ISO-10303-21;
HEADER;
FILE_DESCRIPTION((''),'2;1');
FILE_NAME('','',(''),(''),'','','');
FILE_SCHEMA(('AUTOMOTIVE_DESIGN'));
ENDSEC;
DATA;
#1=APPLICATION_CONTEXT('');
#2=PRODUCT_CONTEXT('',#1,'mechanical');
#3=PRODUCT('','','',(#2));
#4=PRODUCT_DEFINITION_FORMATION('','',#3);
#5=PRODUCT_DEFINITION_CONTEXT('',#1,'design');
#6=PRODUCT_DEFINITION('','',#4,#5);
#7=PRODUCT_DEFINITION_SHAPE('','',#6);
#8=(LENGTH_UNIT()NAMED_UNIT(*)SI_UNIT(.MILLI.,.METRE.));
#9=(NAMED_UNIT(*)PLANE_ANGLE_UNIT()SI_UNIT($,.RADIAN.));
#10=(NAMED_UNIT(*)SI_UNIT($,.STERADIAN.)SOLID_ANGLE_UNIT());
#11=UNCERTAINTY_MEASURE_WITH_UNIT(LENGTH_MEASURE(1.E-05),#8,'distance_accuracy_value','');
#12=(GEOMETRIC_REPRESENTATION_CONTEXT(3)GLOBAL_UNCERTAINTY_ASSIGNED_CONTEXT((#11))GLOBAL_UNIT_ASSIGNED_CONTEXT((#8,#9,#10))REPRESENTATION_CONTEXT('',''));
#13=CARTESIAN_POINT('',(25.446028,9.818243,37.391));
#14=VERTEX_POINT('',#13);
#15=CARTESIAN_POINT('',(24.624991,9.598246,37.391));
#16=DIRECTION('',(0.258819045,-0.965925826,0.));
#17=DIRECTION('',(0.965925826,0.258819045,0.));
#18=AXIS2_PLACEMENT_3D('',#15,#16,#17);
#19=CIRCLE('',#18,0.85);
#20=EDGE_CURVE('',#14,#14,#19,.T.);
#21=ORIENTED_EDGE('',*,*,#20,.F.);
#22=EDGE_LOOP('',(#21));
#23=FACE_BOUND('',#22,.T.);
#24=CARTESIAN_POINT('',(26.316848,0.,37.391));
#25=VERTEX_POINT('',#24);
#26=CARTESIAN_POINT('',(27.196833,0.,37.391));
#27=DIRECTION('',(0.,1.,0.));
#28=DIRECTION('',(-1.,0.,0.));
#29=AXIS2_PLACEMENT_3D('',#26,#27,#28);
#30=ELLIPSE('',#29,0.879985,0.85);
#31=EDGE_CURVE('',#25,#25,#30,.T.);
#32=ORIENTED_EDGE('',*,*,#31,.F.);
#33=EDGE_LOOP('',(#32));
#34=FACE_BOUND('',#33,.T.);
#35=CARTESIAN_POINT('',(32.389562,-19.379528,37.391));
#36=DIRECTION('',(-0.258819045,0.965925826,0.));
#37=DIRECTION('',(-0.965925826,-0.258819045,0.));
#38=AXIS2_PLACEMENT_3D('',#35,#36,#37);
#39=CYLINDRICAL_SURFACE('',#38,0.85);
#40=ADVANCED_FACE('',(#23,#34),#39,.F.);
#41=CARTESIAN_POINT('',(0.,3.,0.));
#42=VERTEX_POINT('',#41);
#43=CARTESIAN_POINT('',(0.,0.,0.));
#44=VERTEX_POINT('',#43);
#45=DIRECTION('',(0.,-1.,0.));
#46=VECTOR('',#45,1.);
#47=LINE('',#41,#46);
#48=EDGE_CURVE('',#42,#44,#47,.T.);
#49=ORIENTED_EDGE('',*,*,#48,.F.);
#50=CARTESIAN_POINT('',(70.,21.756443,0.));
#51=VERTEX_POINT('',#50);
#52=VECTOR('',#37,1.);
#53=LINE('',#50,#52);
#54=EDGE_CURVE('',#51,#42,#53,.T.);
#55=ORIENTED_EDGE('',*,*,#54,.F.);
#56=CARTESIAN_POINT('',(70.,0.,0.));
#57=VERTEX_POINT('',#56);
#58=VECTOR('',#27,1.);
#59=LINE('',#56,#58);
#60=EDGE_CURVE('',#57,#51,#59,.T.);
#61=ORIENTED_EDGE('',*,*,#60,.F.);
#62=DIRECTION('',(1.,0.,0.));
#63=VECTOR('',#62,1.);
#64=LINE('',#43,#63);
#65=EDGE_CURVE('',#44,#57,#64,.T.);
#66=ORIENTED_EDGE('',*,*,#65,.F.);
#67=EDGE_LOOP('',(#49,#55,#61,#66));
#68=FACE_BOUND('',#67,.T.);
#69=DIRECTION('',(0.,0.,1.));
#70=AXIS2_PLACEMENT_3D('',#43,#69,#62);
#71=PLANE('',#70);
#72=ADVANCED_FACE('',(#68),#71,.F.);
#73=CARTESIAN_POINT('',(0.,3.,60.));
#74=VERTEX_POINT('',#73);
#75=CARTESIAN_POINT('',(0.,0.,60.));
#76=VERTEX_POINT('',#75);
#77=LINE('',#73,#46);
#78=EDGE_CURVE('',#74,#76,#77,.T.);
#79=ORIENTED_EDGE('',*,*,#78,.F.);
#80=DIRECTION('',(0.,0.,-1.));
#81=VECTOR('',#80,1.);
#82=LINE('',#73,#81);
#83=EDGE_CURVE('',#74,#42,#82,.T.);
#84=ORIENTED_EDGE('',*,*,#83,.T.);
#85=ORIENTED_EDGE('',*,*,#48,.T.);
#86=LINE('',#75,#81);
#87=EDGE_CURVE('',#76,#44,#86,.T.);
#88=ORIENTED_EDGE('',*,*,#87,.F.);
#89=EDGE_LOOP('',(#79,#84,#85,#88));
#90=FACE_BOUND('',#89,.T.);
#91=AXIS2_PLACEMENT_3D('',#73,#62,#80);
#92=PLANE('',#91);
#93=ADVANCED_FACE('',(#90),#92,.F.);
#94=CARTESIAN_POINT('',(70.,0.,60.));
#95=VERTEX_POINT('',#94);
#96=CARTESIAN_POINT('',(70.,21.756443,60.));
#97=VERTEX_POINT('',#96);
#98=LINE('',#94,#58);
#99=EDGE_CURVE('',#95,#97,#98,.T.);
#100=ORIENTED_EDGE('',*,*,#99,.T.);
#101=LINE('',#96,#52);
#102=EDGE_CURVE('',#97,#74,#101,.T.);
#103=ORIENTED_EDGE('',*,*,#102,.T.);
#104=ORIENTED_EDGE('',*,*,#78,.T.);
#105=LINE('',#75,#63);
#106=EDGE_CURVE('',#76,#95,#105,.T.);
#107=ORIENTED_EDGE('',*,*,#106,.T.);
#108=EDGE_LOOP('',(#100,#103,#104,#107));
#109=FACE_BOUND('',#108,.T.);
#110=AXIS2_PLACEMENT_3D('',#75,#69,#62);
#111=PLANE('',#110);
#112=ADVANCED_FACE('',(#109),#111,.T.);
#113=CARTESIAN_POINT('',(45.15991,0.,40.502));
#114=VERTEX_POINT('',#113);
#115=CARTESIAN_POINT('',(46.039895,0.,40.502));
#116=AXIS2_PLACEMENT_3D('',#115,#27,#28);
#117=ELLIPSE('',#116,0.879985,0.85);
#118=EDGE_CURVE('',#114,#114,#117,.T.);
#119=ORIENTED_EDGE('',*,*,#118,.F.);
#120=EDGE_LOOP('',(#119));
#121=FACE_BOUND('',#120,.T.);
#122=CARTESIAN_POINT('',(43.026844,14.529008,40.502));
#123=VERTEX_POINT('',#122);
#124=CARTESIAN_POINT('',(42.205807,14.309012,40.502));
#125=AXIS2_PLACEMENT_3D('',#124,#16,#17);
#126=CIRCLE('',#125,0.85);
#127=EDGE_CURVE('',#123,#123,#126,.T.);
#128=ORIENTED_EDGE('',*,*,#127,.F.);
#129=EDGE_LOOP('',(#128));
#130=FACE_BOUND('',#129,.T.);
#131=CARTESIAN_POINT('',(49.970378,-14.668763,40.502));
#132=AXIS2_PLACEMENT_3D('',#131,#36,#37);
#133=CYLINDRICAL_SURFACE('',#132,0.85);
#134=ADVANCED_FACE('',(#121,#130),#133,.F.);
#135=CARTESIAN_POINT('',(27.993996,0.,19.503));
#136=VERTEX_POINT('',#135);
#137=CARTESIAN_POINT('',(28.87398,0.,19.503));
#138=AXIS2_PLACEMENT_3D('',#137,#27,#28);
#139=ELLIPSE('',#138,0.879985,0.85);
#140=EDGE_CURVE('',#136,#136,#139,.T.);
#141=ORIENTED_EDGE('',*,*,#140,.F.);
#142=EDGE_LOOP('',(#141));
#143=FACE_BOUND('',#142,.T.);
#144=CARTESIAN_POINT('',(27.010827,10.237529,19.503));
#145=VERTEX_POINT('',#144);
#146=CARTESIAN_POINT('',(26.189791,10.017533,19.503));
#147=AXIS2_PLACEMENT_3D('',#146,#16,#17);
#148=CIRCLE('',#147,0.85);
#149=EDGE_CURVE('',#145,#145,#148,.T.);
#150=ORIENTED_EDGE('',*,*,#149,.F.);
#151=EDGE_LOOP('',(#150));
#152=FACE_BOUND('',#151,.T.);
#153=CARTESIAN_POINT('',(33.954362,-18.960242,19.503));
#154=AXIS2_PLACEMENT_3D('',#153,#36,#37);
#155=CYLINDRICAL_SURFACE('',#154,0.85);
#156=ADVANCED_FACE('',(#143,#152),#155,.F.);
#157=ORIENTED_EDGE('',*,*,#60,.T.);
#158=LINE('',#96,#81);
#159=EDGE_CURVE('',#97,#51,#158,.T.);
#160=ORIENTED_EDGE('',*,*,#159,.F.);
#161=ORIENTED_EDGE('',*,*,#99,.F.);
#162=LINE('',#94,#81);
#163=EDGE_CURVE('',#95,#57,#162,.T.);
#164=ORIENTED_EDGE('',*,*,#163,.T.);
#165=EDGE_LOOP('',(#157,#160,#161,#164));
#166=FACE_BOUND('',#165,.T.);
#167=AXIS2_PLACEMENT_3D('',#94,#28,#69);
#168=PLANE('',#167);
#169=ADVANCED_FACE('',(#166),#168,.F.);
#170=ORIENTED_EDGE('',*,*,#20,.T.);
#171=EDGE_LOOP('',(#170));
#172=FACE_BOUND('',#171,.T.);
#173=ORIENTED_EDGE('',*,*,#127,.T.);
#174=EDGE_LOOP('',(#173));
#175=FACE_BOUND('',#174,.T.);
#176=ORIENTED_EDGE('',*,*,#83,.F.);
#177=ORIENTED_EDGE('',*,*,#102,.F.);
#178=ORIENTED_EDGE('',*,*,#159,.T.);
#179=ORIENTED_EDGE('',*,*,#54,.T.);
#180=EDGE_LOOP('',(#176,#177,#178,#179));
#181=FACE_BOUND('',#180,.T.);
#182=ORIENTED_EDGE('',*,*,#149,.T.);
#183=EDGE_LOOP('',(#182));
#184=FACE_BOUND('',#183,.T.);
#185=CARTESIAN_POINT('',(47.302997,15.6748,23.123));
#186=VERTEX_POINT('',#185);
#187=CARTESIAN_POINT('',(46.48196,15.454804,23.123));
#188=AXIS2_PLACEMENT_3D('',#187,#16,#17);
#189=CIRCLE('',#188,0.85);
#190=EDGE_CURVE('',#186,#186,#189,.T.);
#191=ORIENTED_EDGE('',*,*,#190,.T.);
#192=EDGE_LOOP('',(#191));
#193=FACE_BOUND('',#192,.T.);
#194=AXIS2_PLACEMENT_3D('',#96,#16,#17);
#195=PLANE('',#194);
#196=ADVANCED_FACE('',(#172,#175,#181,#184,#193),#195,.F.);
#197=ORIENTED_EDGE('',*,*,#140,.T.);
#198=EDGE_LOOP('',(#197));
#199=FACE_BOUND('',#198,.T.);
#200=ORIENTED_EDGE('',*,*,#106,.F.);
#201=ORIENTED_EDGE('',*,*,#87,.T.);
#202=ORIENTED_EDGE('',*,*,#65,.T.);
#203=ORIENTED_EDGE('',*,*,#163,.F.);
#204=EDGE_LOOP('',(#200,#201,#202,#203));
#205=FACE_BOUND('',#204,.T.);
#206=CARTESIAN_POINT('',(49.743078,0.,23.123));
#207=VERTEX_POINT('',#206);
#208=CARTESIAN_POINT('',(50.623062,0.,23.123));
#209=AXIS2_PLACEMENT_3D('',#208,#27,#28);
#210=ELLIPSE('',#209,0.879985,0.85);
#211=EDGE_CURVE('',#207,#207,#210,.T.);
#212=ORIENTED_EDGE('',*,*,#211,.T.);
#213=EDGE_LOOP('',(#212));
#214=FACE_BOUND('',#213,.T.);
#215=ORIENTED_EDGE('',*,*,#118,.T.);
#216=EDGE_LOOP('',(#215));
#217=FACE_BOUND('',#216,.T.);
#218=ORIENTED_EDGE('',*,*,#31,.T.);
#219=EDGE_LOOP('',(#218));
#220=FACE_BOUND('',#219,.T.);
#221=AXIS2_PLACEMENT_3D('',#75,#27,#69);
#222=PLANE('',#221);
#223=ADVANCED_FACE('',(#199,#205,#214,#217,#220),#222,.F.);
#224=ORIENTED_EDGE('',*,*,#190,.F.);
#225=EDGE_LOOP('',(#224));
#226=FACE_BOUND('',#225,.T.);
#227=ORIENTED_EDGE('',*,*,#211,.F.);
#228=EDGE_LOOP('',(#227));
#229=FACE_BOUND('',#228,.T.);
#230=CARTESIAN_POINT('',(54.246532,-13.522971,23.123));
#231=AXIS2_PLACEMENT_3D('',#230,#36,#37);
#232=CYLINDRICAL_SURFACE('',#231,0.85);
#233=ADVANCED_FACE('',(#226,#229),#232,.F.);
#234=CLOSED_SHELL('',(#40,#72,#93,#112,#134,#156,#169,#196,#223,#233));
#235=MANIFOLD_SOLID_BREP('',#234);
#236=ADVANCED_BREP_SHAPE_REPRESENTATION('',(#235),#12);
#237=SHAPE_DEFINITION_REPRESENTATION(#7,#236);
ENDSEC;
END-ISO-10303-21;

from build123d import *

# Parameters (mm, degrees)
EXTRUDE_1_DEPTH     = 60
SKETCH_2_R          = 0.85
CUT_EXTRUDE_1_DEPTH = 30


with BuildPart() as part:
    # 草图1 → 凸台-拉伸1 (new body)
    with BuildSketch(Plane.XY):
        Polygon((0, 0), (70, 0), (70, 21.75644347), (0, 3), align=None)
    extrude(amount=EXTRUDE_1_DEPTH)

    # 草图2 → 切除-拉伸1 (cut, symmetric)
    with BuildSketch(Plane(origin=(-0.75, 2.799038106, 0), x_dir=(0.9659258262890683, 0.25881904510252085, 0), z_dir=(-0.2588190451025208, 0.9659258262890682, 0))):
        with Locations(Location((27.89012345, -19.503, 0), (0, 0, 180))):
            Circle(SKETCH_2_R)
        with Locations(Location((48.89812345, -23.123, 0), (0, 0, 180))):
            Circle(SKETCH_2_R)
        with Locations(Location((44.47112345, -40.502, 0), (0, 0, 180))):
            Circle(SKETCH_2_R)
        with Locations(Location((26.27012345, -37.391, 0), (0, 0, 180))):
            Circle(SKETCH_2_R)
    extrude(amount=CUT_EXTRUDE_1_DEPTH, both=True, mode=Mode.SUBTRACT)


solid = part.part
